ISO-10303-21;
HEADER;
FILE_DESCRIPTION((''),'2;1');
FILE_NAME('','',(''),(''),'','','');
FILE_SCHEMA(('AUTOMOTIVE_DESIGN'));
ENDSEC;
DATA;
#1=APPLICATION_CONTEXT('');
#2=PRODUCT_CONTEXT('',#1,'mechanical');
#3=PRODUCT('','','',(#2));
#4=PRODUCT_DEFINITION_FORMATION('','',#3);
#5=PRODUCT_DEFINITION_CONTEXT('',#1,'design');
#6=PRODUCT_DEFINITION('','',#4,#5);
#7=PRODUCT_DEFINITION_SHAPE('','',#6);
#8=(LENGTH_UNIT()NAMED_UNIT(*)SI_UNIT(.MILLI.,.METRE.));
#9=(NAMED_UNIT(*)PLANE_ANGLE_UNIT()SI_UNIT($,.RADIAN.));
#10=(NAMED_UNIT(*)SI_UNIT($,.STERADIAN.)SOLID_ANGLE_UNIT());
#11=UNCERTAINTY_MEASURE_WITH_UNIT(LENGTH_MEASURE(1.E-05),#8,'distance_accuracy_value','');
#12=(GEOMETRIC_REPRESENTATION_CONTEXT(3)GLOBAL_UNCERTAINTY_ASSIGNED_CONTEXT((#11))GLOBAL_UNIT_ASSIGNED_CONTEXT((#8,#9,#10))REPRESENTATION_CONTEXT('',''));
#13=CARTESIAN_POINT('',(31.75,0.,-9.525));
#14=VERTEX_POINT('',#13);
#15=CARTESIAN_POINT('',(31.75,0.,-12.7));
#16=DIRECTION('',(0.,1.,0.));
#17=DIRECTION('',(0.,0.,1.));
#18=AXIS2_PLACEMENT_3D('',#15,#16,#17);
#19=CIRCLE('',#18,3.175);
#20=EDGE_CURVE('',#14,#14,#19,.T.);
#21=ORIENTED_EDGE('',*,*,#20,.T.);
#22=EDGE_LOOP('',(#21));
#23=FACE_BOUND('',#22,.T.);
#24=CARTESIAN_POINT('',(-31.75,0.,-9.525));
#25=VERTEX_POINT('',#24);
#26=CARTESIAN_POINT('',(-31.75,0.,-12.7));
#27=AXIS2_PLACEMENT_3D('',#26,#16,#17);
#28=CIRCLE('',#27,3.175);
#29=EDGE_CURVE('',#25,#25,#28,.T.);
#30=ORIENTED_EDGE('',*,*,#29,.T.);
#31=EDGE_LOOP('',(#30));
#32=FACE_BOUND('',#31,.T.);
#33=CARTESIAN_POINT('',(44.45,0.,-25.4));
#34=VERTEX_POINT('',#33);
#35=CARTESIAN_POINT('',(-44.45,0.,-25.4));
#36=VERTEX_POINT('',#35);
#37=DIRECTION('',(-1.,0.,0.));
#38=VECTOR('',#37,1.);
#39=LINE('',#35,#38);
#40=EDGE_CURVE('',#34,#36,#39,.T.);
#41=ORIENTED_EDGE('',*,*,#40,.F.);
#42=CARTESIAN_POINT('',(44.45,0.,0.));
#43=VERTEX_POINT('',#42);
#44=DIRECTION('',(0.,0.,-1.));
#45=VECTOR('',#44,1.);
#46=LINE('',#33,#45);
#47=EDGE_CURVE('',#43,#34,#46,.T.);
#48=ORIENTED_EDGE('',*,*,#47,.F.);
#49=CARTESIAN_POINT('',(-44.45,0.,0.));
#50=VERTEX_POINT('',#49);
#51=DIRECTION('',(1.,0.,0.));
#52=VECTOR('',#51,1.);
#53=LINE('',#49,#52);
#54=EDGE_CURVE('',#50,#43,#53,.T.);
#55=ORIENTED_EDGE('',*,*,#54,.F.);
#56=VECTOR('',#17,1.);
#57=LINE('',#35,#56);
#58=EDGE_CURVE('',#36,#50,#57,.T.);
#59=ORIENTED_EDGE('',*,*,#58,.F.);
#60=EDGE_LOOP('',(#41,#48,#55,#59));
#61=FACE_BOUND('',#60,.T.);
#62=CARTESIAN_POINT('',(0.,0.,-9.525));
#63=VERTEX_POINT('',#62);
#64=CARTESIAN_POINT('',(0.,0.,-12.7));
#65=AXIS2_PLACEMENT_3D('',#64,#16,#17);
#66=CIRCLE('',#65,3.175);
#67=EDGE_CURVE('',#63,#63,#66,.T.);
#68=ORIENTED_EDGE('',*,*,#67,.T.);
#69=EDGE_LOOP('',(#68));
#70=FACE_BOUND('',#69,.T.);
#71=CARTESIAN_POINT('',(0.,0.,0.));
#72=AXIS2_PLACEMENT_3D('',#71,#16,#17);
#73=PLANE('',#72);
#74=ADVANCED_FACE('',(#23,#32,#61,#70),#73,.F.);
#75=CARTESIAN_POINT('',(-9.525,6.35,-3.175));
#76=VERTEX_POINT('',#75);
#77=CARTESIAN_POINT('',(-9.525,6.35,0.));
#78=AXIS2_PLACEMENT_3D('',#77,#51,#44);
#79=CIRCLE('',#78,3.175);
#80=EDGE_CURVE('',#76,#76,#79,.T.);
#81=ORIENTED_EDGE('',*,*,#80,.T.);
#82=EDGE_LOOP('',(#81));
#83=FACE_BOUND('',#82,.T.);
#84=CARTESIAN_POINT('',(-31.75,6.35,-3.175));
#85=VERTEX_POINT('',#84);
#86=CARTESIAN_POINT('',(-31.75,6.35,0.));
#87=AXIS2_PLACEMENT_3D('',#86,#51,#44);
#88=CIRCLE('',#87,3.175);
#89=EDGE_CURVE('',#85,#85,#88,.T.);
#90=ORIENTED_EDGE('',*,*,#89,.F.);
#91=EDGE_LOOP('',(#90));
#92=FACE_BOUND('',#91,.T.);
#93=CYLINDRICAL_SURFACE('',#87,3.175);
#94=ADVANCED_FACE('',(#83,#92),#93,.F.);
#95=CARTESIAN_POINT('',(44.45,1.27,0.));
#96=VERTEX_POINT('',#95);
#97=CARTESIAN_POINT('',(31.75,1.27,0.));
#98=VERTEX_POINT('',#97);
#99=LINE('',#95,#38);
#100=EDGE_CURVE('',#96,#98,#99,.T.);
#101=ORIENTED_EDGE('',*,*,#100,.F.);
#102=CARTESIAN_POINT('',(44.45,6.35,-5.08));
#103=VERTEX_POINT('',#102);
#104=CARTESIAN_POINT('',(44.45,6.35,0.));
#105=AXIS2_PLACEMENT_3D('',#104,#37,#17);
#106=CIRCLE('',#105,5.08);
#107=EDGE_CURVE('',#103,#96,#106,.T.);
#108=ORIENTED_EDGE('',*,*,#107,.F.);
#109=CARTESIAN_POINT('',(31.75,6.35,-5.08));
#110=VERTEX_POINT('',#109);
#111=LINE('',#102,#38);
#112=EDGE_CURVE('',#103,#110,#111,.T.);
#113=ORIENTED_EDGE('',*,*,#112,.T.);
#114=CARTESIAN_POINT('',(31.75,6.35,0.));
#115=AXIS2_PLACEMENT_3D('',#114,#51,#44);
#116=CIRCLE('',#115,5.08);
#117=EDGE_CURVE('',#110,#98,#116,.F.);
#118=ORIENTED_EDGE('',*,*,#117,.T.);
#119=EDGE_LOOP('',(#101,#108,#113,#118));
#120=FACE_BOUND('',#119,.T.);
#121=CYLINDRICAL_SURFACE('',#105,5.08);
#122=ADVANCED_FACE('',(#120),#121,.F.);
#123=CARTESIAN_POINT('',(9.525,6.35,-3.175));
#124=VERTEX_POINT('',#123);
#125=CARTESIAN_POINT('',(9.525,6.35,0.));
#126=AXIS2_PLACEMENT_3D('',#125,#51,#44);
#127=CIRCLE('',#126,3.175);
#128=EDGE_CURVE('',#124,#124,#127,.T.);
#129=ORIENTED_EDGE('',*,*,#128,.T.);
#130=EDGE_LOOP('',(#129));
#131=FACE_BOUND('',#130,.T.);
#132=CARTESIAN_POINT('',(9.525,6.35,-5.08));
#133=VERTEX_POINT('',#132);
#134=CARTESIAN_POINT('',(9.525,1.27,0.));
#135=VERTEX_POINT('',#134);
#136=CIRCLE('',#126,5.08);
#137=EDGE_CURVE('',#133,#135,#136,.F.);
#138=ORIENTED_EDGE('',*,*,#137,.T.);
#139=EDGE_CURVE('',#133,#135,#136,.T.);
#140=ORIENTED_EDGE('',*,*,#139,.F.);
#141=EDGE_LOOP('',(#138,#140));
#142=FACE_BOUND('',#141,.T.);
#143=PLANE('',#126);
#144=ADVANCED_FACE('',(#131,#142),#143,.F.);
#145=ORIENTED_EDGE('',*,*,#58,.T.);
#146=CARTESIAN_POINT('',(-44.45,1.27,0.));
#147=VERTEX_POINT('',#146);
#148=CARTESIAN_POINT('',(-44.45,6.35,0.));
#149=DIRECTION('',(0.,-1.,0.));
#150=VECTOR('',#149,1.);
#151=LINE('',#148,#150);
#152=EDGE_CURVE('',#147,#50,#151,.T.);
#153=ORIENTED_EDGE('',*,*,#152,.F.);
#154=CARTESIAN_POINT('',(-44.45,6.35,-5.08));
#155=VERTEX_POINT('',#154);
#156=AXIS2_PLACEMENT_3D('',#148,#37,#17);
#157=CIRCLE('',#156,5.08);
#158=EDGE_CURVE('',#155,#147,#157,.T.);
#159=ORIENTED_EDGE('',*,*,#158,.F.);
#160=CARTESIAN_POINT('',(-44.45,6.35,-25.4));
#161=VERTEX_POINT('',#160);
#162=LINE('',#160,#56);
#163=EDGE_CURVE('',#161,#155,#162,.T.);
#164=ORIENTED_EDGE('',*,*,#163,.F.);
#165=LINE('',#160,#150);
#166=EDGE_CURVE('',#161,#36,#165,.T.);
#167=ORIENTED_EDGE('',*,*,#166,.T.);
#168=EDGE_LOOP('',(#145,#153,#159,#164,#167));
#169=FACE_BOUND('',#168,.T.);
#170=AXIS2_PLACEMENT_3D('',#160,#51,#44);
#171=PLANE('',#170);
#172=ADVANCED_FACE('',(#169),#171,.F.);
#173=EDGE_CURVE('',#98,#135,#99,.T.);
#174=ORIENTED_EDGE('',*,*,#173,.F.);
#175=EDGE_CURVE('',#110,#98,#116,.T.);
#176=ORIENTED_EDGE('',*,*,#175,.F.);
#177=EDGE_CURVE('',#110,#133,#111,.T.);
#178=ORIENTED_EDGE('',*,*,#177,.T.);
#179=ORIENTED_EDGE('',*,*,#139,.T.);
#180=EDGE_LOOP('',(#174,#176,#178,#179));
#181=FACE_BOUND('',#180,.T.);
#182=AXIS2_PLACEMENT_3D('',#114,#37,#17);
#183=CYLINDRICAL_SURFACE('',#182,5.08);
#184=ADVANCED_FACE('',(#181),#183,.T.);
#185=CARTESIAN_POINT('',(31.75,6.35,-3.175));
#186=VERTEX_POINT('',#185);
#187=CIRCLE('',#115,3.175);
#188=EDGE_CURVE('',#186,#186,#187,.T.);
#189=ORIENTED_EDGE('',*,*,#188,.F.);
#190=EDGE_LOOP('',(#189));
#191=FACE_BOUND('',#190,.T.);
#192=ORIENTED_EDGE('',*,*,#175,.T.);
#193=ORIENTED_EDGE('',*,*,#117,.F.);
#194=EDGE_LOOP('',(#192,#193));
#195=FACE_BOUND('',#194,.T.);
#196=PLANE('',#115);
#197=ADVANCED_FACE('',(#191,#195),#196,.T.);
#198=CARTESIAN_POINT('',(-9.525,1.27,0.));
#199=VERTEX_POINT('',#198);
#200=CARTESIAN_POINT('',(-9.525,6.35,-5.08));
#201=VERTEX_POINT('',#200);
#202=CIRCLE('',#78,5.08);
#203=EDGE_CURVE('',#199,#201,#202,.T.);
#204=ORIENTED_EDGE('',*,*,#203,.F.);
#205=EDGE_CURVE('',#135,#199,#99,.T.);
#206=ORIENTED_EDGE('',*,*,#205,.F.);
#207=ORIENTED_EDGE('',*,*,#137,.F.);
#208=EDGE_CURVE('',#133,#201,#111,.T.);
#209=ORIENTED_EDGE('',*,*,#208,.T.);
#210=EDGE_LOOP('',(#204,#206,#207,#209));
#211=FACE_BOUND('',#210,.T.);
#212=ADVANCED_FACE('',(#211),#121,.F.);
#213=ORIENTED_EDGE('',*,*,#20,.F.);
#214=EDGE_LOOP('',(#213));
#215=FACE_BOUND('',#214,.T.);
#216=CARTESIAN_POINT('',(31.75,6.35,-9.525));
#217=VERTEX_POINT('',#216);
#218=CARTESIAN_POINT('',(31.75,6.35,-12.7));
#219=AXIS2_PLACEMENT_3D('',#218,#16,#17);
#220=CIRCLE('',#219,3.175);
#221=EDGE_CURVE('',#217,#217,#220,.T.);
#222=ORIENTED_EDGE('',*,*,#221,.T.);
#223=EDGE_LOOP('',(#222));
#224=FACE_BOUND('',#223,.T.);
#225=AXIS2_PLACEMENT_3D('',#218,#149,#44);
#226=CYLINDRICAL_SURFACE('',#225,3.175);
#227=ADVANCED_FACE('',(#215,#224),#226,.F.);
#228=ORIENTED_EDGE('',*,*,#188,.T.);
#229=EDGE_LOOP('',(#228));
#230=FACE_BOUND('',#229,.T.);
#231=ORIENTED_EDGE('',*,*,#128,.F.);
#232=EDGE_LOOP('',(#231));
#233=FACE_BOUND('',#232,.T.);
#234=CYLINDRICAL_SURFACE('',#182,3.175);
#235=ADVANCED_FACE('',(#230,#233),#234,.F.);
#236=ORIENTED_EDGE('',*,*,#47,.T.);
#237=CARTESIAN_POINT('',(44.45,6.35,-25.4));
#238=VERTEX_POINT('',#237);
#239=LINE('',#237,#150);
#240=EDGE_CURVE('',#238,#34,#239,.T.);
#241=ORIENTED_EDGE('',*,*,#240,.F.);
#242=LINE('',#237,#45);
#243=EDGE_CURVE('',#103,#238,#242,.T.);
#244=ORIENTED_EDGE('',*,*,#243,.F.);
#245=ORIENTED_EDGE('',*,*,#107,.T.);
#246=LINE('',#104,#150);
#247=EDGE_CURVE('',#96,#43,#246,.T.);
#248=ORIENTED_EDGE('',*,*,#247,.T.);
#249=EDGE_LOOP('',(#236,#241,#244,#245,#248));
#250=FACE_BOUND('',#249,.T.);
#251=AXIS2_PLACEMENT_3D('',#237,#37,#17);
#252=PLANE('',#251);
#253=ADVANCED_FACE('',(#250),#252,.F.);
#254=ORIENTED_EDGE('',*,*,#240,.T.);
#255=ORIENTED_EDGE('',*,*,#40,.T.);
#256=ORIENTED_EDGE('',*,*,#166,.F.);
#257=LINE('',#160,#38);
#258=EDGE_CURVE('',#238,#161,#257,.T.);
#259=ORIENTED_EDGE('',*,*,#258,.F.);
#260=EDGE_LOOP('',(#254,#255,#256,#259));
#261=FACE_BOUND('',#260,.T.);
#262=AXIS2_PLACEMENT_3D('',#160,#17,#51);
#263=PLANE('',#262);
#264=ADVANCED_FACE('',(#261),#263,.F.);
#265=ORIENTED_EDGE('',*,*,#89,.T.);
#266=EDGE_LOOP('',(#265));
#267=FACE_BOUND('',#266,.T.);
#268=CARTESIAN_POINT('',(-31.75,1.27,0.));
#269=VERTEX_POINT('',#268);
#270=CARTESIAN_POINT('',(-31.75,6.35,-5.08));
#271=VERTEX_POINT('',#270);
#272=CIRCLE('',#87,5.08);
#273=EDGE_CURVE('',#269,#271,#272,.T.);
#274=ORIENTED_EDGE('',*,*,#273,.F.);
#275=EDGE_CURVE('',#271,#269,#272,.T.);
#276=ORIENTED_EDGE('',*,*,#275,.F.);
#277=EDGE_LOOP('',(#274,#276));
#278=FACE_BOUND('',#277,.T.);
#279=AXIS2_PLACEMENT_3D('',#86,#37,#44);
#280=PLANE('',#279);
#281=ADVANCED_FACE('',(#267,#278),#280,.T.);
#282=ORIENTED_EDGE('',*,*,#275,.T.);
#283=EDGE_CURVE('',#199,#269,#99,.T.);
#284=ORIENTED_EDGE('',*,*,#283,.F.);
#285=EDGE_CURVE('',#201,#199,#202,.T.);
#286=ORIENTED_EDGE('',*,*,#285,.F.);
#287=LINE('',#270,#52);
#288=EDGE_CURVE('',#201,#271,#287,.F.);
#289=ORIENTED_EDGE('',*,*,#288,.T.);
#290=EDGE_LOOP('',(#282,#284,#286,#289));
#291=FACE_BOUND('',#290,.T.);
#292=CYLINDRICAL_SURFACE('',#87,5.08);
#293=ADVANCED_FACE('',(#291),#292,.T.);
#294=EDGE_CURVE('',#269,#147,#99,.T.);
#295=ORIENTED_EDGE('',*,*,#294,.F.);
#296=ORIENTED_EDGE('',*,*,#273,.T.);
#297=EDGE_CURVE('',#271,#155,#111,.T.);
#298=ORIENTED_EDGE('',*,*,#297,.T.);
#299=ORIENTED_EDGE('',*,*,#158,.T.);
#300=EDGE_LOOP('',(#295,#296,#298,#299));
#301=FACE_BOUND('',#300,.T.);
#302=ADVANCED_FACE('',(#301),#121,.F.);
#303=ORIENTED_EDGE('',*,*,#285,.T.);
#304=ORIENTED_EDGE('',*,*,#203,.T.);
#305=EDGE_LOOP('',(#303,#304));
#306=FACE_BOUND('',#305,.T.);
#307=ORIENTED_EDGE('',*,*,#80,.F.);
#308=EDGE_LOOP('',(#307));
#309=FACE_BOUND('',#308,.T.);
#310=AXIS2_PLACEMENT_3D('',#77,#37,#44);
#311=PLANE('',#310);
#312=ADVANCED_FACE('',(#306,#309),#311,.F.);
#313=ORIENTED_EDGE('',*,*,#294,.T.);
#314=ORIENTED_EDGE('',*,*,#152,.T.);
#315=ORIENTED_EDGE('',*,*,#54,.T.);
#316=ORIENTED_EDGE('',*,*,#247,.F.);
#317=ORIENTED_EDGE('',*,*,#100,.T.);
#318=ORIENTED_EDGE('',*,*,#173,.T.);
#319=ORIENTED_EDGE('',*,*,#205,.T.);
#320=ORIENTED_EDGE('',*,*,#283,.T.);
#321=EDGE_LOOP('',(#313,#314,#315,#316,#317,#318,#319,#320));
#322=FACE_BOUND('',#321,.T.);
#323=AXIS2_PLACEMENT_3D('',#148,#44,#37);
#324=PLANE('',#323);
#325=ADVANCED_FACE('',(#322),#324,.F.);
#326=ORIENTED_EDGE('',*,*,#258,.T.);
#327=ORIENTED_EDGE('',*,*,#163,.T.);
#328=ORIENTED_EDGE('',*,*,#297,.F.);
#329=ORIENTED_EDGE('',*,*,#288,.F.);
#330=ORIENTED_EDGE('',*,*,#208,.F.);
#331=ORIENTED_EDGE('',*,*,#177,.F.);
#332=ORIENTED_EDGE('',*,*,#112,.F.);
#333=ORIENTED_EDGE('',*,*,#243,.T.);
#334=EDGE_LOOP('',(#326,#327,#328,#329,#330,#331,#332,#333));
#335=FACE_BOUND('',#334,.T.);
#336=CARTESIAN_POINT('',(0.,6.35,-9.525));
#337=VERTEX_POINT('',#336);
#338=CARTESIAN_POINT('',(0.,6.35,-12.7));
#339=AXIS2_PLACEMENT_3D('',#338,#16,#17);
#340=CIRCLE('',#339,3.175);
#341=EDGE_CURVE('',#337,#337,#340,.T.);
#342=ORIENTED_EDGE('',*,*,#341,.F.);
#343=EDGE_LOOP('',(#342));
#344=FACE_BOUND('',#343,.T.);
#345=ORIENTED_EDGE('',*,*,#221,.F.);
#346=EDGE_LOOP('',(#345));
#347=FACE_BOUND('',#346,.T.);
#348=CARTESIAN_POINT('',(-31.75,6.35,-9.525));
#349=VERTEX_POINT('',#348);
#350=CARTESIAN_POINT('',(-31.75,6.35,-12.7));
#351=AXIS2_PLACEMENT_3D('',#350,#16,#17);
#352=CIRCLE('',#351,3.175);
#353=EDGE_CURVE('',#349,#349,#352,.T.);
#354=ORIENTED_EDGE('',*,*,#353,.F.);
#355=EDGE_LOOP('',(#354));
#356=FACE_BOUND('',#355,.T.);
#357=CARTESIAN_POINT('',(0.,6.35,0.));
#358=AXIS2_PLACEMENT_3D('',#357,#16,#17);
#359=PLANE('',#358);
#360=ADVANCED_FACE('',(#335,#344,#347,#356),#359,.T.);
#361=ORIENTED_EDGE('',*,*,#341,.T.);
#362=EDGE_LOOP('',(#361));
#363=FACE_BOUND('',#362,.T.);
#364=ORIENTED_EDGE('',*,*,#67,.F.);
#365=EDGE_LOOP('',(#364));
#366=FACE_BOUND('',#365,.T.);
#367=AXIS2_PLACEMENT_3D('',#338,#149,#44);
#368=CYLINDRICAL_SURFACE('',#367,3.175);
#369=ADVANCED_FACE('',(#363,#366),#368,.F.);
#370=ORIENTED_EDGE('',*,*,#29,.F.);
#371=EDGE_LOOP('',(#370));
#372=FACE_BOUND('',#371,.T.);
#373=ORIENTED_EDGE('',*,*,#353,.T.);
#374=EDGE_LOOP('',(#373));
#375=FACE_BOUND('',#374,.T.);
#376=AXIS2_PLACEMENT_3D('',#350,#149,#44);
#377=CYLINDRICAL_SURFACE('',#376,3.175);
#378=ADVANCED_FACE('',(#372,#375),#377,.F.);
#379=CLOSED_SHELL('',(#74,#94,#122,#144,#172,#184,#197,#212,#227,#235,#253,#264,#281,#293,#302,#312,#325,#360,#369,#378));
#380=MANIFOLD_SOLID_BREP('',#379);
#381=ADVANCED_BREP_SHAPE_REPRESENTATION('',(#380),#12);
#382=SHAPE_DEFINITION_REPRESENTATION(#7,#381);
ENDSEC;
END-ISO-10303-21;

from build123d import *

# Parameters (mm, degrees)
SKETCH2_W           = 88.9
SKETCH2_H           = 25.4
SKETCH2_R           = 3.175
BOSS_EXTRUDE1_DEPTH = 6.35
SKETCH3_R           = 5.08
CUT_EXTRUDE1_DEPTH  = 93.675198948
SKETCH4_R           = 5.08
SKETCH4_R_2         = 3.175
BOSS_EXTRUDE2_DEPTH = 22.225


with BuildPart() as part:
    # Sketch2 → Boss-Extrude1 (new body)
    with BuildSketch(Plane(origin=(0, 0, 0), x_dir=(1, 0, 0), z_dir=(0, 1, 0))):
        with Locations((0, 12.7)):
            Rectangle(SKETCH2_W, SKETCH2_H)
        with Locations(Location((-31.75, 12.7, 0), (0, 0, 270))):
            Circle(SKETCH2_R, mode=Mode.SUBTRACT)
        with Locations(Location((0, 12.7, 0), (0, 0, 270))):
            Circle(SKETCH2_R, mode=Mode.SUBTRACT)
        with Locations(Location((31.75, 12.7, 0), (0, 0, 270))):
            Circle(SKETCH2_R, mode=Mode.SUBTRACT)
    extrude(amount=BOSS_EXTRUDE1_DEPTH)

    # Sketch3 → Cut-Extrude1 (cut, through all)
    with BuildSketch(Plane.ZY.offset(44.45)):
        with Locations((0, 6.35)):
            Circle(SKETCH3_R)
    extrude(amount=-CUT_EXTRUDE1_DEPTH, mode=Mode.SUBTRACT)

    # Sketch4 → Boss-Extrude2 (add)
    with BuildSketch(Plane(origin=(9.525, 0, 0), x_dir=(0, 0, -1), z_dir=(1, 0, 0))):
        with Locations((0, 6.35)):
            Circle(SKETCH4_R)
        with Locations((0, 6.35)):
            Circle(SKETCH4_R_2, mode=Mode.SUBTRACT)
    boss_extrude2 = extrude(amount=BOSS_EXTRUDE2_DEPTH)

    # Mirror1: Boss-Extrude2 across plane
    add(boss_extrude2.mirror(Plane(origin=(0, 0, 0), x_dir=(0, 0, 1), z_dir=(1, 0, 0))))


solid = part.part
